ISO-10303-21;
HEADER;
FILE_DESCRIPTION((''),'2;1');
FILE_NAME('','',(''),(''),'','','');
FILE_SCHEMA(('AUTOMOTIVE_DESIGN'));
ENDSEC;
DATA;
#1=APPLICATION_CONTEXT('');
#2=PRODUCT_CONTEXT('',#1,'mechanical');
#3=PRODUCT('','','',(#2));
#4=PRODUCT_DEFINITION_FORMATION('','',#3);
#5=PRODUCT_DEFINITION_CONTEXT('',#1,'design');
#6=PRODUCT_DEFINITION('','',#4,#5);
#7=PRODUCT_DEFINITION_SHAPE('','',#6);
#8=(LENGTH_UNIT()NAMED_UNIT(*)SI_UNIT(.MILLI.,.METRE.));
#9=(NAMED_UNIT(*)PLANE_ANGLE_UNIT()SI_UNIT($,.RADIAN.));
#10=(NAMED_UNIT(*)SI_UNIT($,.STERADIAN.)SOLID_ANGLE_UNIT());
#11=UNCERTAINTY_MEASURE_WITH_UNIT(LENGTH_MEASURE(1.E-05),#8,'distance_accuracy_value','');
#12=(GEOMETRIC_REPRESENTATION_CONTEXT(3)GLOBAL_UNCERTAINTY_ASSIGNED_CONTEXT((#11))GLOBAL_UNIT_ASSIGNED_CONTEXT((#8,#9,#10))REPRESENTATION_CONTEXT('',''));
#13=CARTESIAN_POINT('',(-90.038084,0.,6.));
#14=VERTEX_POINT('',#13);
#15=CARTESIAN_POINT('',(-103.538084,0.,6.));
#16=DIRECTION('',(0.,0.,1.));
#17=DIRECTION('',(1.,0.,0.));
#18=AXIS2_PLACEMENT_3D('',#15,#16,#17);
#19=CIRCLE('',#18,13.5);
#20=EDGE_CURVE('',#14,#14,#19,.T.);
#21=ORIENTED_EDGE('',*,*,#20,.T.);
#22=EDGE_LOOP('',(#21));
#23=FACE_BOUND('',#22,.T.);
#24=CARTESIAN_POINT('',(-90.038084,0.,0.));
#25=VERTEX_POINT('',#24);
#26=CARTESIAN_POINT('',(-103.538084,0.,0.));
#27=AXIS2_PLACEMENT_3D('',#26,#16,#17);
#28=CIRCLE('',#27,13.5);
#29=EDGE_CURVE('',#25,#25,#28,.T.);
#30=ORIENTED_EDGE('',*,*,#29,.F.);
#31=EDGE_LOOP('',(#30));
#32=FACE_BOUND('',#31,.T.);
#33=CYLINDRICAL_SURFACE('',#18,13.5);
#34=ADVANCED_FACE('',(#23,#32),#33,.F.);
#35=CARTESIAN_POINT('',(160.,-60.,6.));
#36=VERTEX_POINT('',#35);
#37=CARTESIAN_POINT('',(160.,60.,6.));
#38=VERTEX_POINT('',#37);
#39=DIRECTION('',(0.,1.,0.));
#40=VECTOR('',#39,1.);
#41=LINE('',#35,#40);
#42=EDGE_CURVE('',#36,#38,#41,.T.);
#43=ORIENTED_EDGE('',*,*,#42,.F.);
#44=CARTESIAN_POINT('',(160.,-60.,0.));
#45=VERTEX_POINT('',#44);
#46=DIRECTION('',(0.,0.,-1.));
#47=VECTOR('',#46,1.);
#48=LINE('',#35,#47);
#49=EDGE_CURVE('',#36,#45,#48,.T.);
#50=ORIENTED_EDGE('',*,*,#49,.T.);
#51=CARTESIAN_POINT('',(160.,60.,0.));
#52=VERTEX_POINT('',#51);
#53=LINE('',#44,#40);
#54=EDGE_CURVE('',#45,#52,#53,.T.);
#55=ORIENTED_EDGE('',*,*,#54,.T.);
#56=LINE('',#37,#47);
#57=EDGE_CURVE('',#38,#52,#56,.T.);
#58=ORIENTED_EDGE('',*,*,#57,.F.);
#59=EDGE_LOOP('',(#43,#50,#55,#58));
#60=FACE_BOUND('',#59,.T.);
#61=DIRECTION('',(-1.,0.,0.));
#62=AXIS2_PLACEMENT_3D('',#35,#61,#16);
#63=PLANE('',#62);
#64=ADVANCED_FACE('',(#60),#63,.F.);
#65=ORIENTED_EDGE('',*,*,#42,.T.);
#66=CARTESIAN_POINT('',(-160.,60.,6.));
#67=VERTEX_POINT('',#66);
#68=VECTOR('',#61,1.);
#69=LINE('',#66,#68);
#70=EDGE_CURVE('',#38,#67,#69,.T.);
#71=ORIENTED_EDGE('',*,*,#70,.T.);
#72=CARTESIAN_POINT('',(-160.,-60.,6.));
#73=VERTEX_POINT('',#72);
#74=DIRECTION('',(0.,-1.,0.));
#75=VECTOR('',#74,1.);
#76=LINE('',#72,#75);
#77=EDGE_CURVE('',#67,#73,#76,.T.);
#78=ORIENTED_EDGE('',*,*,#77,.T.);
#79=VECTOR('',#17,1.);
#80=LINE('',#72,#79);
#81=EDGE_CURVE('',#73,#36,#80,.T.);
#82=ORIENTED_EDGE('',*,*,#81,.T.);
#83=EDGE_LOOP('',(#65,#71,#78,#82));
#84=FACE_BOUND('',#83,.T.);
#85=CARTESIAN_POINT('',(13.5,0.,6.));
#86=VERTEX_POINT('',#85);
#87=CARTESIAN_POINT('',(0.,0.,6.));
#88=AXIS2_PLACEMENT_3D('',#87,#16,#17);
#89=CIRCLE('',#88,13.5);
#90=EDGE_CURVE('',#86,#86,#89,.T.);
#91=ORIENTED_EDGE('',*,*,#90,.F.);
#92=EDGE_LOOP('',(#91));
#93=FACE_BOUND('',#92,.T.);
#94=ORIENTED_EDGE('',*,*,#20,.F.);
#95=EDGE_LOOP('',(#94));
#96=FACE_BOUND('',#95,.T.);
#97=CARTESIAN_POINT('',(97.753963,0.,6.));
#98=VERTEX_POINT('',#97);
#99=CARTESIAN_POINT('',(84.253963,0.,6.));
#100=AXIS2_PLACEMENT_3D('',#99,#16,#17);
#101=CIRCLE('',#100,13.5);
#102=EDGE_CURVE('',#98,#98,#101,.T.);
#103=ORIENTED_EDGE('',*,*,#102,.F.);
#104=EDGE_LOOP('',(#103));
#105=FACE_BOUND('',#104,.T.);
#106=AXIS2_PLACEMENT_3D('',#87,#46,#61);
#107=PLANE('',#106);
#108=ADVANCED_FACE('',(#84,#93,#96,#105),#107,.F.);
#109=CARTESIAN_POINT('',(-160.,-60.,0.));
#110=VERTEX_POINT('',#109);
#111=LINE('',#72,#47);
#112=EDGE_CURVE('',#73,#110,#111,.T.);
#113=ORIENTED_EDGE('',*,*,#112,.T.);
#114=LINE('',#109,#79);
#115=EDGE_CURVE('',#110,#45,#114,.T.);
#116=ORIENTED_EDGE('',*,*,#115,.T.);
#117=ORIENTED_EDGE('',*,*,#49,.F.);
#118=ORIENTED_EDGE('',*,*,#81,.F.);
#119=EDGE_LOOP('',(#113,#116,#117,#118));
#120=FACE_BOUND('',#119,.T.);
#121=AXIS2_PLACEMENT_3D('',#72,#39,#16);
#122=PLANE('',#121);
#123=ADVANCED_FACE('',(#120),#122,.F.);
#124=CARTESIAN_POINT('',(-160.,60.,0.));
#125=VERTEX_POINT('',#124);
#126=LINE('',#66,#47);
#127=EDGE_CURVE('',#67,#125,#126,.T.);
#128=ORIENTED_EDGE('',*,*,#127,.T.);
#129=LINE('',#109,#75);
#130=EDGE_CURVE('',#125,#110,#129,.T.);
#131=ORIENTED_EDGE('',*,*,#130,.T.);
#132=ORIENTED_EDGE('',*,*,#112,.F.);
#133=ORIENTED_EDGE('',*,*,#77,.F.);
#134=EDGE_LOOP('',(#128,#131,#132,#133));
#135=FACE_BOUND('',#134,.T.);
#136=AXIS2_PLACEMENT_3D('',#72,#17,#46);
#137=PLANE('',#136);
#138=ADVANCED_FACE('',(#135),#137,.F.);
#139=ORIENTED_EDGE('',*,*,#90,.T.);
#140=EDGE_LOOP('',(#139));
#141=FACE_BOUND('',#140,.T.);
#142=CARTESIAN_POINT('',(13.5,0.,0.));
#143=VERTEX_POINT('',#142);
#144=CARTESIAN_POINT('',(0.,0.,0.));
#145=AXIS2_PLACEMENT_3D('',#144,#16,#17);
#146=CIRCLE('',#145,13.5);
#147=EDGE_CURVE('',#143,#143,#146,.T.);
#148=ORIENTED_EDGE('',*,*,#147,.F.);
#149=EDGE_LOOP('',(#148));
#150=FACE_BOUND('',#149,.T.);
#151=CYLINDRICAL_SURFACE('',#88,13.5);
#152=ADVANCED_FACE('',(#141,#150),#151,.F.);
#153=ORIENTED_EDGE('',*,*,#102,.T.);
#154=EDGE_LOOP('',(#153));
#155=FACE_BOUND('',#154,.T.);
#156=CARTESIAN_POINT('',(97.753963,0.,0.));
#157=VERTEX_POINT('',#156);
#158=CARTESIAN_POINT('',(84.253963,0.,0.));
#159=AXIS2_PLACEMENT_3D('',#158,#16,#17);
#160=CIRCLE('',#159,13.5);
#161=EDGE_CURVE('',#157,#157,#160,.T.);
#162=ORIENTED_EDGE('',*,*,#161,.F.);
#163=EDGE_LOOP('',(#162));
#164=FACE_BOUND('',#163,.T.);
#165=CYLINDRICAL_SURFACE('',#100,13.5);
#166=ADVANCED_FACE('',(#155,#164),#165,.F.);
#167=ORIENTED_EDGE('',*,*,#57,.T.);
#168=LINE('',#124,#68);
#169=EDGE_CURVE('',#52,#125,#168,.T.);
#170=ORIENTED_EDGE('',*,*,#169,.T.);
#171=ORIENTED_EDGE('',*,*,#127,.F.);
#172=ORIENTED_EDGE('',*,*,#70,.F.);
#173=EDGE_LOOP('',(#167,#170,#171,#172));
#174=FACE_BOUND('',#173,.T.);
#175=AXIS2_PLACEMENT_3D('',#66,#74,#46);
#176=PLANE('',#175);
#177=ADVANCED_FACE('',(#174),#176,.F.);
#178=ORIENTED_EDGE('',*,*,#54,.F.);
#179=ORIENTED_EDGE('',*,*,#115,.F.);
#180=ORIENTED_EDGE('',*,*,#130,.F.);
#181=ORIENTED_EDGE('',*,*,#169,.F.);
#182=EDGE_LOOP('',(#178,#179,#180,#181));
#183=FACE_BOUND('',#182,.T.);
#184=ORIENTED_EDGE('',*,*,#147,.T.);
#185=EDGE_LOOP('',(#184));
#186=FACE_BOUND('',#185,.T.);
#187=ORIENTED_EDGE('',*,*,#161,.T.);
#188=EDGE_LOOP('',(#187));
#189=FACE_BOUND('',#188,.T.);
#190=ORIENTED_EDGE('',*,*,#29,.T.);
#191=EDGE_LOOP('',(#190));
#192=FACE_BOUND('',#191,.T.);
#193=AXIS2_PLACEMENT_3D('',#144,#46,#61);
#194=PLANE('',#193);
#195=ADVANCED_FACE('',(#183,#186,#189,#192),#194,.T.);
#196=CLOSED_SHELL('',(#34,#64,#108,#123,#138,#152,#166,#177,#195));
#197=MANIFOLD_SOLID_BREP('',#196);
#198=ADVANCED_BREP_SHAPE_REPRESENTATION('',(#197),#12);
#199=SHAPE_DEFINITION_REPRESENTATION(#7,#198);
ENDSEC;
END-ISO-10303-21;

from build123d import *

# Parameters (mm, degrees)
ESQUISSE1_W               = 320
ESQUISSE1_H               = 120
BOSS_EXTRU_1_DEPTH        = 6
M25_CLEARANCE_HOLE1_D     = 27
M25_CLEARANCE_HOLE1_DEPTH = 6
M25_CLEARANCE_HOLE1_TIP   = 8.111618357


with BuildPart() as part:
    # Esquisse1 → Boss.-Extru.1 (new body)
    with BuildSketch(Plane.XY):
        Rectangle(ESQUISSE1_W, ESQUISSE1_H)
    extrude(amount=BOSS_EXTRU_1_DEPTH)

    # M25 Clearance Hole1
    with Locations(Plane.XY.offset(6)):
        with Locations((-103.53808412, 0), (0, 0), (84.253962724, 0)):
            Hole(M25_CLEARANCE_HOLE1_D / 2, depth=M25_CLEARANCE_HOLE1_DEPTH)
            with Locations((0, 0, -(M25_CLEARANCE_HOLE1_DEPTH + M25_CLEARANCE_HOLE1_TIP / 2))):  # 118° drill point
                Cone(0, M25_CLEARANCE_HOLE1_D / 2, M25_CLEARANCE_HOLE1_TIP, mode=Mode.SUBTRACT)


solid = part.part
